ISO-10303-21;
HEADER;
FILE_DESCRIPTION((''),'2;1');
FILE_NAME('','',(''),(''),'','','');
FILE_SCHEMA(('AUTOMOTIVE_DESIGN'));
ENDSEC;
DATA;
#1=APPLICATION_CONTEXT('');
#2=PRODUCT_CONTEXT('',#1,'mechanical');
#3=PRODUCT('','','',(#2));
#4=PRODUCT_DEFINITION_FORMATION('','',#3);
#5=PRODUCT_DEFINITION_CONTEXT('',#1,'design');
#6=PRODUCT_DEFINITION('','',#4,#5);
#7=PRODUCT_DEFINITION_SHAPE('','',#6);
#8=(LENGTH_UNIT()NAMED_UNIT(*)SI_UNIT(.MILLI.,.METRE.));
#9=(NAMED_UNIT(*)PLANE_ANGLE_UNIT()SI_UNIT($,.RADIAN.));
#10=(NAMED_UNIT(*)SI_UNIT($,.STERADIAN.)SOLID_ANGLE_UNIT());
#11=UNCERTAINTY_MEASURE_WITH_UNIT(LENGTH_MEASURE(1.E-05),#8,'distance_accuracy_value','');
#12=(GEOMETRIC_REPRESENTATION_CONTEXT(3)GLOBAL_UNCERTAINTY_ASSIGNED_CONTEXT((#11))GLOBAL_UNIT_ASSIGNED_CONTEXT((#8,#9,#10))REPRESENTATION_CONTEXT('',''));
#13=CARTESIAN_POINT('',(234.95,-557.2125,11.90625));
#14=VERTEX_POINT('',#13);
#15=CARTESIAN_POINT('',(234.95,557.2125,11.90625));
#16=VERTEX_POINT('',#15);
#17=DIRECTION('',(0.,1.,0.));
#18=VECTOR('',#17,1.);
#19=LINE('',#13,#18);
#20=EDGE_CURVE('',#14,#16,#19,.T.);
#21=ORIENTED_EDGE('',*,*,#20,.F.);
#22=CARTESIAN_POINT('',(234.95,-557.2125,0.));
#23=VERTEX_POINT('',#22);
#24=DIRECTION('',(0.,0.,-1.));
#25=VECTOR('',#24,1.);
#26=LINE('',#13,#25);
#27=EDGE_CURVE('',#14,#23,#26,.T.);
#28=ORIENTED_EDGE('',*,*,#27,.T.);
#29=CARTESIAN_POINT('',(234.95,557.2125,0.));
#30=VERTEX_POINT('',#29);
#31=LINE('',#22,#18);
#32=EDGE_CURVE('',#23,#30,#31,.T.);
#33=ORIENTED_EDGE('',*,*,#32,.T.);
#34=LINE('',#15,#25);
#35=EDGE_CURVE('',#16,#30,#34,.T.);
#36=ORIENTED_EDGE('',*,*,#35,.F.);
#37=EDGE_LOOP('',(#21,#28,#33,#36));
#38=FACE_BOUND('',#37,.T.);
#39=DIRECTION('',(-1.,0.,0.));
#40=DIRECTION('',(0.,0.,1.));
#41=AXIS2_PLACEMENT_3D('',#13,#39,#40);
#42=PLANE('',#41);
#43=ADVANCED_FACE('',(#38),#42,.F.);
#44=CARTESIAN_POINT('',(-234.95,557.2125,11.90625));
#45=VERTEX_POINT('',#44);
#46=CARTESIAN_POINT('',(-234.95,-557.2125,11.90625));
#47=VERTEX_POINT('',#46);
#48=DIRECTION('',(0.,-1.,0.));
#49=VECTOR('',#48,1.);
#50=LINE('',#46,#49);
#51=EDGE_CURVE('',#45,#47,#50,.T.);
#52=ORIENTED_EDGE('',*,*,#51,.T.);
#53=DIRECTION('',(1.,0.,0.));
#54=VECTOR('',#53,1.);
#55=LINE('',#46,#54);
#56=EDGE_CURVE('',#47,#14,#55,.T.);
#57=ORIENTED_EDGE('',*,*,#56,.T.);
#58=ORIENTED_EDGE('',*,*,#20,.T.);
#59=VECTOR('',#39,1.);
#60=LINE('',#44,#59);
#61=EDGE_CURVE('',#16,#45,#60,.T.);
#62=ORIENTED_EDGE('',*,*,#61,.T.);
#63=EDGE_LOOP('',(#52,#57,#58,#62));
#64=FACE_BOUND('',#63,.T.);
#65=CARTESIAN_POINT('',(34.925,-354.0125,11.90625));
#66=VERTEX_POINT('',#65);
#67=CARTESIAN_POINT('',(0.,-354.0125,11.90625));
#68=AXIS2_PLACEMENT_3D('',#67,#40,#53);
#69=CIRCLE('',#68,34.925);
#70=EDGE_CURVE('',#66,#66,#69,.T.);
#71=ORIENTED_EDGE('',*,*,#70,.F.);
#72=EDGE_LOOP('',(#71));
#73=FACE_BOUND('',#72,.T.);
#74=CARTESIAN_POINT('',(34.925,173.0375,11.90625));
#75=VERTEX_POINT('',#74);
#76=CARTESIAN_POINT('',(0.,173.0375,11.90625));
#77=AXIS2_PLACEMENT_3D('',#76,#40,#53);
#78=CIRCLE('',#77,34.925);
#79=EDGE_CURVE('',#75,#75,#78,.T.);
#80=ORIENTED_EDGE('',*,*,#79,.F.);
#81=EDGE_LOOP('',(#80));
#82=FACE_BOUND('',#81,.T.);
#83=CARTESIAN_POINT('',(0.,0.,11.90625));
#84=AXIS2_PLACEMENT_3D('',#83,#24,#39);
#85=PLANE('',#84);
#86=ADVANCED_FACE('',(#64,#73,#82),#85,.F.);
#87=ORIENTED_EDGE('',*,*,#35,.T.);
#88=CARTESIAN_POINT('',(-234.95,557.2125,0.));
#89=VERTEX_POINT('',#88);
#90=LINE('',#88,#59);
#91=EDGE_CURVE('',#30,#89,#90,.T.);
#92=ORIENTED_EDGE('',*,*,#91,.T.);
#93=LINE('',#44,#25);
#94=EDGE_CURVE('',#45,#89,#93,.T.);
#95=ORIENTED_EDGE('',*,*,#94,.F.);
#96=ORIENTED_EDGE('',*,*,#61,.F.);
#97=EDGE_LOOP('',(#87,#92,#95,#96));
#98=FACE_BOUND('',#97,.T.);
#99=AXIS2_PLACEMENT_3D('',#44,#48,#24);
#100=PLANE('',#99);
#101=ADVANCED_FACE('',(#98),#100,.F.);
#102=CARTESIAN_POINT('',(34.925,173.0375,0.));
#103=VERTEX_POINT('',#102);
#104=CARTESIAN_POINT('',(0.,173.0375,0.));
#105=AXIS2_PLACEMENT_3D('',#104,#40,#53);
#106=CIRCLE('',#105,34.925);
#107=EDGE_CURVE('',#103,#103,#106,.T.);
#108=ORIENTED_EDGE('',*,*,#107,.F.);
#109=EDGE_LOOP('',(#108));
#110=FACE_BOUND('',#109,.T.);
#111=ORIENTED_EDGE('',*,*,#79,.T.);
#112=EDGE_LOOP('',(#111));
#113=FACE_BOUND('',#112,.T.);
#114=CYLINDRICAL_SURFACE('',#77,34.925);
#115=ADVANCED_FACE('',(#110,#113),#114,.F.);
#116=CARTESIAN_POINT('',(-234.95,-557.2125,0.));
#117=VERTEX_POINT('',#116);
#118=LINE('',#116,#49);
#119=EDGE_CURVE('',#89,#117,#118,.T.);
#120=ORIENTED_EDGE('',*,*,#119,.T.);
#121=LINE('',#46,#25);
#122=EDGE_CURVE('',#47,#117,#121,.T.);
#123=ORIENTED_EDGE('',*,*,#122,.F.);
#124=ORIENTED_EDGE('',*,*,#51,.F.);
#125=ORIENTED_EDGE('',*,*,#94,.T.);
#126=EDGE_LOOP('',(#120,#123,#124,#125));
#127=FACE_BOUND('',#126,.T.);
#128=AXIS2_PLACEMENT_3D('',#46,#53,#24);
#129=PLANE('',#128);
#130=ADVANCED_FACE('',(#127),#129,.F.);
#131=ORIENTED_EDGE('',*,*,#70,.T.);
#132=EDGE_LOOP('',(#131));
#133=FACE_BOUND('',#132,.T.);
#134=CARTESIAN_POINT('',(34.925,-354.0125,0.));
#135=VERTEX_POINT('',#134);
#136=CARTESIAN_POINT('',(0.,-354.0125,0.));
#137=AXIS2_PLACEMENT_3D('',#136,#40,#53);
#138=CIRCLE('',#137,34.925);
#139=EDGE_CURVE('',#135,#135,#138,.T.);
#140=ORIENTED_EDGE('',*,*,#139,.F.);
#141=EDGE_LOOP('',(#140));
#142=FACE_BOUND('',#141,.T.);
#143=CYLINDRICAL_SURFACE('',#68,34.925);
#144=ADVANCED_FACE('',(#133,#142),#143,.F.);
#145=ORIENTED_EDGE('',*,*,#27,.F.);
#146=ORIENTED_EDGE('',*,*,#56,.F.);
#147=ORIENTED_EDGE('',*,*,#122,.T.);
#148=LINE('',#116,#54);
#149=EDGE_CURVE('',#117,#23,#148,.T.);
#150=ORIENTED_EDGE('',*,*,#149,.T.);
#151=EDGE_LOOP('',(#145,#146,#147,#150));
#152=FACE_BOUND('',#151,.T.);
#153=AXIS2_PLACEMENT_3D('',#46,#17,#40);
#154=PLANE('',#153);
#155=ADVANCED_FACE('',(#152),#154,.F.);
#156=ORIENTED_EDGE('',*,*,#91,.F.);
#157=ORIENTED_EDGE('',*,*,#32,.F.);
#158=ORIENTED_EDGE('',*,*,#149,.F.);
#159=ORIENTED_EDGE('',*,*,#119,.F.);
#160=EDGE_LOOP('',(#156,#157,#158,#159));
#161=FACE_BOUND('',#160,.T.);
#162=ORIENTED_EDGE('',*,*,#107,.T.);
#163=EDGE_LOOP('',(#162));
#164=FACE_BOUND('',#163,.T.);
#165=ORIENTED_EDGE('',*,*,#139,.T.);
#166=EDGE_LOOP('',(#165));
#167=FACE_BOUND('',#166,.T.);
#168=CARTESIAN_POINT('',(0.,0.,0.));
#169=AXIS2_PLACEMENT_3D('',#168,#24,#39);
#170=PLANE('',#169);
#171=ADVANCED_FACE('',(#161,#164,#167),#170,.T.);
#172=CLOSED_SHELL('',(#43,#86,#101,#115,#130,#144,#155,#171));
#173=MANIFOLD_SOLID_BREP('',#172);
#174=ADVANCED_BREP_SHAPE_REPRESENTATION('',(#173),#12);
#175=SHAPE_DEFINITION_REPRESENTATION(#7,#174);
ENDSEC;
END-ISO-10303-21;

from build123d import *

# Parameters (mm, degrees)
SKETCH1_W             = 469.9
SKETCH1_H             = 1114.425
BOSS_EXTRUDE1_DEPTH   = 11.90625
F_2_CLEARANCE_HOLE1_D = 69.85


with BuildPart() as part:
    # Sketch1 → Boss-Extrude1 (new body)
    with BuildSketch(Plane.XY):
        Rectangle(SKETCH1_W, SKETCH1_H)
    extrude(amount=BOSS_EXTRUDE1_DEPTH)

    # 2 Clearance Hole1 (through all)
    with Locations(Plane.XY.offset(11.90625)):
        with Locations((0, 173.0375), (0, -354.0125)):
            Hole(F_2_CLEARANCE_HOLE1_D / 2)


solid = part.part
